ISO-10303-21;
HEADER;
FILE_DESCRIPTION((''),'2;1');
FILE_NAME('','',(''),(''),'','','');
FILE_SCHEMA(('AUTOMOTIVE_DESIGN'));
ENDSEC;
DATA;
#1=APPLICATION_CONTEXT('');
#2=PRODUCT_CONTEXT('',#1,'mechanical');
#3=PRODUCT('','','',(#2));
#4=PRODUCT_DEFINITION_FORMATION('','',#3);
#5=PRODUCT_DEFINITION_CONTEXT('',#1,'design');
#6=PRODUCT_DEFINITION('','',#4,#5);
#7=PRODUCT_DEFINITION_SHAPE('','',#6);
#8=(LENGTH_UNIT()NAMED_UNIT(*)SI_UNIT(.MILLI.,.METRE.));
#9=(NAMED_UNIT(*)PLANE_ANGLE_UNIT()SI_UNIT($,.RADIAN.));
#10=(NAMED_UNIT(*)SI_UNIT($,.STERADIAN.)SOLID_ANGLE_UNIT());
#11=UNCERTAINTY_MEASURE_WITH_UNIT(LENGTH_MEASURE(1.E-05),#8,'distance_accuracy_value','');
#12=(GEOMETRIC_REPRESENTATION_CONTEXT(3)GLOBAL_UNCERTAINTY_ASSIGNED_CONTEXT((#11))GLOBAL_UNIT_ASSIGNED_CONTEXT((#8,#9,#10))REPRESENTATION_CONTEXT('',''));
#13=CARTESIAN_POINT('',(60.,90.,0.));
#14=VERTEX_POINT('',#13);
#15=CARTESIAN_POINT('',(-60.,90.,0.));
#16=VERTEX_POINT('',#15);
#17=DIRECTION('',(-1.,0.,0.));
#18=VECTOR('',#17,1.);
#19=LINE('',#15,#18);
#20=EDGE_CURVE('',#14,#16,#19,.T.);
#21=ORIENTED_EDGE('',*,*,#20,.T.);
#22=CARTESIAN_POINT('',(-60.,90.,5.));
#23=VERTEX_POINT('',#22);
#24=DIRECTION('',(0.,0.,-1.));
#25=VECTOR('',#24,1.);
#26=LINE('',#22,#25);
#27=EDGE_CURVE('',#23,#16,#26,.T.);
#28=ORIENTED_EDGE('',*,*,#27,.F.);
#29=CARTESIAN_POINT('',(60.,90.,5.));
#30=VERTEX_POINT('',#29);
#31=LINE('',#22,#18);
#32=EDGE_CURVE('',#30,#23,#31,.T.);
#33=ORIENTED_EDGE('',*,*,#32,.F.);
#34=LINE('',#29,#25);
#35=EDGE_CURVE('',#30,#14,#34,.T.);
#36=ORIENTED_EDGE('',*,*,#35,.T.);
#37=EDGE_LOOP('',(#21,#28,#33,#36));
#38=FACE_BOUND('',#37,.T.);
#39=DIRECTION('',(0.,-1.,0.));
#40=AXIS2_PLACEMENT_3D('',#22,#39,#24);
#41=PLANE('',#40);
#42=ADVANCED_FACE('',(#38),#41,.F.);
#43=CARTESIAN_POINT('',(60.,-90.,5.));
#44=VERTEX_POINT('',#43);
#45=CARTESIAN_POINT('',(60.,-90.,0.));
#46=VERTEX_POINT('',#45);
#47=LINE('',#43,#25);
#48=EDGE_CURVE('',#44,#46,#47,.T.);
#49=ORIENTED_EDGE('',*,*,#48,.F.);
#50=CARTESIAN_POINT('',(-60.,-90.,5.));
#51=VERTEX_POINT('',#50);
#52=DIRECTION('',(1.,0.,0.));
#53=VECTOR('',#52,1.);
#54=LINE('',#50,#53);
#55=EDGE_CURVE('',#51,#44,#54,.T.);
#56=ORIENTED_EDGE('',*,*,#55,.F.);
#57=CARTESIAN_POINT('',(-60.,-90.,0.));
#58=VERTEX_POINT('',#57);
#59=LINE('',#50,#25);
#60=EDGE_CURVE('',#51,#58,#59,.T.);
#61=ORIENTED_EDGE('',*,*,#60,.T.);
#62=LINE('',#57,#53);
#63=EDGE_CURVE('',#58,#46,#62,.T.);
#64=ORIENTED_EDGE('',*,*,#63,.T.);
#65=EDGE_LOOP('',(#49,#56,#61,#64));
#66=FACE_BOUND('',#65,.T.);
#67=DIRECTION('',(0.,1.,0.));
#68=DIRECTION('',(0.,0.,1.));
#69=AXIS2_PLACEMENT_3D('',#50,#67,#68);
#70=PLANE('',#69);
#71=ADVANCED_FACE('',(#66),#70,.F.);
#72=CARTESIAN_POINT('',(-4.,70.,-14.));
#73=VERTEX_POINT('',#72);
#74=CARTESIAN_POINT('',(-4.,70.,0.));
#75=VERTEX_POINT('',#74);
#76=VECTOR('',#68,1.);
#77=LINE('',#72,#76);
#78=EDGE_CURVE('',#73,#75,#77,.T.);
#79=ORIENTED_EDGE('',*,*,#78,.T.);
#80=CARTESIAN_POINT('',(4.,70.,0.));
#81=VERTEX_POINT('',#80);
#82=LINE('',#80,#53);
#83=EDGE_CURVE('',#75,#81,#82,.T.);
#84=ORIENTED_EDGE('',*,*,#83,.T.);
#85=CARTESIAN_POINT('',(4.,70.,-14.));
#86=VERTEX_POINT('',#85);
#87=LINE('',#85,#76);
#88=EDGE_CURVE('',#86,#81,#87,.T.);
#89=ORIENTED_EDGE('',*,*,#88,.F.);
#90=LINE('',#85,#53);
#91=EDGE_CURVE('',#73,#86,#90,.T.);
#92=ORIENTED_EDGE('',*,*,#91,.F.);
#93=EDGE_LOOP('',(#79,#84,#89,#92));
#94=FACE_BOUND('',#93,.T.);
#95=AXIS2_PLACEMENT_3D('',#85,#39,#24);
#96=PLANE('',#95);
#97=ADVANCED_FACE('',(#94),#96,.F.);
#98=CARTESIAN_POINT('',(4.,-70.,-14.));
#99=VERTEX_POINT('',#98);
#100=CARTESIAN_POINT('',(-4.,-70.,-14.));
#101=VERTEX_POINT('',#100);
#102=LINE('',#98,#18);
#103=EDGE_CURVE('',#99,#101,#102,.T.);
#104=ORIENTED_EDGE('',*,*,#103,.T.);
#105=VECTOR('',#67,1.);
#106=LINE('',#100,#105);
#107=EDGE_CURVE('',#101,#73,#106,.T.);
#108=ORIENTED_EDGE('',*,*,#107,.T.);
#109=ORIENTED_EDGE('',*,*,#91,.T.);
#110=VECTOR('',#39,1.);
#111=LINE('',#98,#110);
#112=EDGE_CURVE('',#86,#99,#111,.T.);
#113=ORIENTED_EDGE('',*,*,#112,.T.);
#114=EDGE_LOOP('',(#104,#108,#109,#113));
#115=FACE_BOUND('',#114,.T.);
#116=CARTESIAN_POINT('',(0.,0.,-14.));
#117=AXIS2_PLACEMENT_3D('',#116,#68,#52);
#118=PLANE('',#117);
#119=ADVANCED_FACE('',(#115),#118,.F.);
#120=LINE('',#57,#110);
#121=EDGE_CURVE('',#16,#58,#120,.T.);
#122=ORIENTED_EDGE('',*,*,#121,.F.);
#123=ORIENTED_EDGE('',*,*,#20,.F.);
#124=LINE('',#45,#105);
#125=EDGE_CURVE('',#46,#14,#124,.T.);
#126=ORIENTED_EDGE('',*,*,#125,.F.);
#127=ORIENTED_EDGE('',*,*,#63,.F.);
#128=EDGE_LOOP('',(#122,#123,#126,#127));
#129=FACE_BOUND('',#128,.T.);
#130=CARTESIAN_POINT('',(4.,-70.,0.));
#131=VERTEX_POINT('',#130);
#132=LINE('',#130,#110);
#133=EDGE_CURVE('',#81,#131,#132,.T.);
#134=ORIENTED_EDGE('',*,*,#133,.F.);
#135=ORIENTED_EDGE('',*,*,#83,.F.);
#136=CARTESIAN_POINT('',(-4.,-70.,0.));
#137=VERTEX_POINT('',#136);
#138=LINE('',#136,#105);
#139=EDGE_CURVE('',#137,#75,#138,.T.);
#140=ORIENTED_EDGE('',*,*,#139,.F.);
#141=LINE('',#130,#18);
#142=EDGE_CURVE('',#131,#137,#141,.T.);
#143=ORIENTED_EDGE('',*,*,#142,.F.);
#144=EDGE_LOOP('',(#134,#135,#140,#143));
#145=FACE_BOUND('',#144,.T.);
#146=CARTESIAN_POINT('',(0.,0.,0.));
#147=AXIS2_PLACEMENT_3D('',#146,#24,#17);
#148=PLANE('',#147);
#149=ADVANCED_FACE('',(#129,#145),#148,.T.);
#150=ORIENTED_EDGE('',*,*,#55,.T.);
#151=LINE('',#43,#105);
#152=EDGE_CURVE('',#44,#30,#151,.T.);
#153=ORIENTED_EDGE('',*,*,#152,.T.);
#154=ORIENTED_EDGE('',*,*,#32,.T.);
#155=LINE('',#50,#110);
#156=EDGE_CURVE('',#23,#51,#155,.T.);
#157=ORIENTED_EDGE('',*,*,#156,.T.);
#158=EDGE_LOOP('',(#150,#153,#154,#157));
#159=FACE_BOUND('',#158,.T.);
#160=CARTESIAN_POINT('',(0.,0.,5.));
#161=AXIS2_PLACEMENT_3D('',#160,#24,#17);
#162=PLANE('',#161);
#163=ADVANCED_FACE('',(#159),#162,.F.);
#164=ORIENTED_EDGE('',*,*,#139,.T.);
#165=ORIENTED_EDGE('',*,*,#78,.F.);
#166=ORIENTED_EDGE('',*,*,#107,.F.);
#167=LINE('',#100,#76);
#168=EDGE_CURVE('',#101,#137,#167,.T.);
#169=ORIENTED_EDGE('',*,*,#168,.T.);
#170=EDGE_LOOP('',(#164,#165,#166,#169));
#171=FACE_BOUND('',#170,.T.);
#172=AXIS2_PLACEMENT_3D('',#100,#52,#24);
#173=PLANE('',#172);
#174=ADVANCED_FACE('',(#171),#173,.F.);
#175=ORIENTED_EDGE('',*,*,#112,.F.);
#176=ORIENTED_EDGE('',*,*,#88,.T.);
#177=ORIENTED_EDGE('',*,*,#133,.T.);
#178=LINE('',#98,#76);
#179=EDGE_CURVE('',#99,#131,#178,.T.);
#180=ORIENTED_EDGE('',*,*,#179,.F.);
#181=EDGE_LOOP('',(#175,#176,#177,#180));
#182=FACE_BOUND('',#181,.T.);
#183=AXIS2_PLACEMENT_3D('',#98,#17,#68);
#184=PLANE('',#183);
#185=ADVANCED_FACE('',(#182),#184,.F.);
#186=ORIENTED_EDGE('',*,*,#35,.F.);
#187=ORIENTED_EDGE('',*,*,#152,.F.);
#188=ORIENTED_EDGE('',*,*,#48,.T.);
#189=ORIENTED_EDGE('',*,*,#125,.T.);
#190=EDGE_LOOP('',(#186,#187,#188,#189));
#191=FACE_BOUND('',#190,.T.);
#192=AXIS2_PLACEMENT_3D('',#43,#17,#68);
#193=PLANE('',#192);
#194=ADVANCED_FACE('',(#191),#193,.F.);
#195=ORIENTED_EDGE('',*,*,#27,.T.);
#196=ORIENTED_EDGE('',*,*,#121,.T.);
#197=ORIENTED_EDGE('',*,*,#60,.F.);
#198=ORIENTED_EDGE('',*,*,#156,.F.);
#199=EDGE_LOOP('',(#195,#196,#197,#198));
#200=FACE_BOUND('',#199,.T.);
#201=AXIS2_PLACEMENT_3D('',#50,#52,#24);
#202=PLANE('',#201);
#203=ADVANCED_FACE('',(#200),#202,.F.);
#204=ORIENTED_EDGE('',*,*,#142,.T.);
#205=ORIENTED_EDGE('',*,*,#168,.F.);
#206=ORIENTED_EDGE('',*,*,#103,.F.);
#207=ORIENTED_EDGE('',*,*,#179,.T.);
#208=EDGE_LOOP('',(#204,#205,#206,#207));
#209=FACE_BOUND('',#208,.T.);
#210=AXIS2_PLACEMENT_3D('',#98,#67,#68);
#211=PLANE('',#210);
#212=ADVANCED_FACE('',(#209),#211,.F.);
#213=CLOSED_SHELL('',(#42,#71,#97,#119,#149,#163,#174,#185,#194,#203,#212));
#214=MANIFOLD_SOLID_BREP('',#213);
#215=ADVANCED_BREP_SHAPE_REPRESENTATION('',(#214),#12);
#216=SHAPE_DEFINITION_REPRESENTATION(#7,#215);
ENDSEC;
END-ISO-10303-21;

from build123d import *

# Parameters (mm, degrees)
SKETCH1_W           = 120
SKETCH1_H           = 180
BOSS_EXTRUDE1_DEPTH = 5
SKETCH2_W           = 8
SKETCH2_H           = 140
BOSS_EXTRUDE2_DEPTH = 14


with BuildPart() as part:
    # Sketch1 → Boss-Extrude1 (new body)
    with BuildSketch(Plane.XY):
        Rectangle(SKETCH1_W, SKETCH1_H)
    extrude(amount=BOSS_EXTRUDE1_DEPTH)

    # Sketch2 → Boss-Extrude2 (add)
    with BuildSketch(Plane(origin=(0, 0, 0), x_dir=(-1, 0, 0), z_dir=(0, 0, -1))):
        Rectangle(SKETCH2_W, SKETCH2_H)
    extrude(amount=BOSS_EXTRUDE2_DEPTH)


solid = part.part
